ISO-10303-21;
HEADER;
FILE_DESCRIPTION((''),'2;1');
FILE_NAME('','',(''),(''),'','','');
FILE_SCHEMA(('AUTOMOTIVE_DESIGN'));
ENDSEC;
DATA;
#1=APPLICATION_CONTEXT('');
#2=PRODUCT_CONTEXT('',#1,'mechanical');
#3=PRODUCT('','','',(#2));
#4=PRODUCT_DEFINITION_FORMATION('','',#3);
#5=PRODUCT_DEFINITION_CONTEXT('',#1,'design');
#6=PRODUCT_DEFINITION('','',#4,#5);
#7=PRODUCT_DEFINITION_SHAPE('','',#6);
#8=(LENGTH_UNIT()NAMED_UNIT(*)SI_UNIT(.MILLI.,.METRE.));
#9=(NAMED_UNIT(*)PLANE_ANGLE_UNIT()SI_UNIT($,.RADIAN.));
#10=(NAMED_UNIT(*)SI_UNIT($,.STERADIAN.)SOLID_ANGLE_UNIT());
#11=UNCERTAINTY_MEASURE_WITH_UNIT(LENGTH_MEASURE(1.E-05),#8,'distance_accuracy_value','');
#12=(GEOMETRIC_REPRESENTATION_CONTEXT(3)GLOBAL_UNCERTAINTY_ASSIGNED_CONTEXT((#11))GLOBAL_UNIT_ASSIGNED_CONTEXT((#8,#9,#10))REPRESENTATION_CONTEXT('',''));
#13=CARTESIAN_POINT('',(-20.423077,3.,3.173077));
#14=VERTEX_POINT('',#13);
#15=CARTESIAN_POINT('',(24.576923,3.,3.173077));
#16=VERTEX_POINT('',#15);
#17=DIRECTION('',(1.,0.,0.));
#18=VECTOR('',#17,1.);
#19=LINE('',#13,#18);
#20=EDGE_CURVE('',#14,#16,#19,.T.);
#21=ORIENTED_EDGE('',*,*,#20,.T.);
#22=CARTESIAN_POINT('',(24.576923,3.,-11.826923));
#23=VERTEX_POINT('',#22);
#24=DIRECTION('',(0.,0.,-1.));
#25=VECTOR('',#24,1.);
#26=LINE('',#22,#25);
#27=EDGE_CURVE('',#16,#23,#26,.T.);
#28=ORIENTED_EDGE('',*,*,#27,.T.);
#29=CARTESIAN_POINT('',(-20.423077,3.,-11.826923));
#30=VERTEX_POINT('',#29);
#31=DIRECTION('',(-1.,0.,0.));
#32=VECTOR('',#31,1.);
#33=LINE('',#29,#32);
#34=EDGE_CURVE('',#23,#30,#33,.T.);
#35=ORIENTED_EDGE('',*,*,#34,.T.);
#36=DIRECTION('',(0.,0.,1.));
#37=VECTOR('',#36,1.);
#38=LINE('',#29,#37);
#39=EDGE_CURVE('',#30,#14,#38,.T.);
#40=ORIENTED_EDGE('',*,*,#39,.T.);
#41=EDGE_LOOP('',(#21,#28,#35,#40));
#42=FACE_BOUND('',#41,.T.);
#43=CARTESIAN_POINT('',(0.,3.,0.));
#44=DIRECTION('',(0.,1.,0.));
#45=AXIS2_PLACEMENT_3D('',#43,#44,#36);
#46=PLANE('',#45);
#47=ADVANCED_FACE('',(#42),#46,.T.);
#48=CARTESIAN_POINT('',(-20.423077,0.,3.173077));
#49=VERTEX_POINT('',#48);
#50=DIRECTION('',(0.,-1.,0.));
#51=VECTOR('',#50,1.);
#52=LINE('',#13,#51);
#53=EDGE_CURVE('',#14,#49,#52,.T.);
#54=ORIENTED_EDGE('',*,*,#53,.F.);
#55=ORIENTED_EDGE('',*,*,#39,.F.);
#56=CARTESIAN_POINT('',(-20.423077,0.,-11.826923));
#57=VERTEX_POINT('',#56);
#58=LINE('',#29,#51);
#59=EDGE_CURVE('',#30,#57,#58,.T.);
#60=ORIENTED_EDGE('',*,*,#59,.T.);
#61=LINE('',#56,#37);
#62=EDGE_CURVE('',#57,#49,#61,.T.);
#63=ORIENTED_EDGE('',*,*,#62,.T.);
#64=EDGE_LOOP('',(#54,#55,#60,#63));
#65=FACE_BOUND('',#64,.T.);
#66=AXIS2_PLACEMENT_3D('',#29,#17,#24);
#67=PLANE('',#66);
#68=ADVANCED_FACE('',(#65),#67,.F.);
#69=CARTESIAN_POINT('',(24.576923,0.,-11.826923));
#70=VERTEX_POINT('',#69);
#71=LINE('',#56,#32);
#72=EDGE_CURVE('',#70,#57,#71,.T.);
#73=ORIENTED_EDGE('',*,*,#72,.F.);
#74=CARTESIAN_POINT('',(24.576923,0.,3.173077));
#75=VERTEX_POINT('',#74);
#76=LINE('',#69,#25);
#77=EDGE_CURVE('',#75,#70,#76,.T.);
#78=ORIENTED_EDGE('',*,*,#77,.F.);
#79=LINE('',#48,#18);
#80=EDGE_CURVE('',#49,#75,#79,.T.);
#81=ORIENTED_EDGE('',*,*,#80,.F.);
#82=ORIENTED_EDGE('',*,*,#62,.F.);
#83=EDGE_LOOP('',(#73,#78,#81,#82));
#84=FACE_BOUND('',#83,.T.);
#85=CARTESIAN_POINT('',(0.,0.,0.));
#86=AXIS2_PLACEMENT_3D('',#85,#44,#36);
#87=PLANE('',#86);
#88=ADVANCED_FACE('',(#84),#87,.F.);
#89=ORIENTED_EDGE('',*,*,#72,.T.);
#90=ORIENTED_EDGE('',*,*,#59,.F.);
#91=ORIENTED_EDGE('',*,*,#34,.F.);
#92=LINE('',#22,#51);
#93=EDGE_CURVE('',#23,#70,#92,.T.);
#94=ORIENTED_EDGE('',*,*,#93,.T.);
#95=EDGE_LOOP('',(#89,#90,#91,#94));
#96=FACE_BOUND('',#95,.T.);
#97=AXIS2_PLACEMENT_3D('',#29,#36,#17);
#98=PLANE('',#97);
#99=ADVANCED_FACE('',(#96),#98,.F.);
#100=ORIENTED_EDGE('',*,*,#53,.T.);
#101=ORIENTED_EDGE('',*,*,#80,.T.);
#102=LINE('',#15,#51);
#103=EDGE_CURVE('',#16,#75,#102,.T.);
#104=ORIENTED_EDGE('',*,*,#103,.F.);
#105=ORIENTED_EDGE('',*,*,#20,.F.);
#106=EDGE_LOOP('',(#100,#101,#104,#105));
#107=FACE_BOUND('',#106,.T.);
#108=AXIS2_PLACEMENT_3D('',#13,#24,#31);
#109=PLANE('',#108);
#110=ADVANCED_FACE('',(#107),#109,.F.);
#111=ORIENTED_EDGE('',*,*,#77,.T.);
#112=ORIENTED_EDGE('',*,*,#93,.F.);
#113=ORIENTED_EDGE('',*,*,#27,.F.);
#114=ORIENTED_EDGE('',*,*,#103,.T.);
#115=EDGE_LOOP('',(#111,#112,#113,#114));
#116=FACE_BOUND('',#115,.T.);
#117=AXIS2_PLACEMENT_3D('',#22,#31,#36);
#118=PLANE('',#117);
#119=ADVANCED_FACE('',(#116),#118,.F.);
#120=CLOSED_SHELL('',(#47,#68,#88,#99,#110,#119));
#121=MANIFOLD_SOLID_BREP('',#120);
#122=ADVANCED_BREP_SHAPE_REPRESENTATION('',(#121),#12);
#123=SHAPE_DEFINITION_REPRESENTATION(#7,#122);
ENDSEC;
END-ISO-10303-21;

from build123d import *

# Parameters (mm, degrees)
SKETCH_1_W      = 45
SKETCH_1_H      = 15
EXTRUDE_1_DEPTH = 3


with BuildPart() as part:
    # 草图1 → 凸台-拉伸1 (new body)
    with BuildSketch(Plane(origin=(0, 0, 0), x_dir=(1, 0, 0), z_dir=(0, 1, 0))):
        with Locations((2.076923077, 4.326923077)):
            Rectangle(SKETCH_1_W, SKETCH_1_H)
    extrude(amount=EXTRUDE_1_DEPTH)


solid = part.part
